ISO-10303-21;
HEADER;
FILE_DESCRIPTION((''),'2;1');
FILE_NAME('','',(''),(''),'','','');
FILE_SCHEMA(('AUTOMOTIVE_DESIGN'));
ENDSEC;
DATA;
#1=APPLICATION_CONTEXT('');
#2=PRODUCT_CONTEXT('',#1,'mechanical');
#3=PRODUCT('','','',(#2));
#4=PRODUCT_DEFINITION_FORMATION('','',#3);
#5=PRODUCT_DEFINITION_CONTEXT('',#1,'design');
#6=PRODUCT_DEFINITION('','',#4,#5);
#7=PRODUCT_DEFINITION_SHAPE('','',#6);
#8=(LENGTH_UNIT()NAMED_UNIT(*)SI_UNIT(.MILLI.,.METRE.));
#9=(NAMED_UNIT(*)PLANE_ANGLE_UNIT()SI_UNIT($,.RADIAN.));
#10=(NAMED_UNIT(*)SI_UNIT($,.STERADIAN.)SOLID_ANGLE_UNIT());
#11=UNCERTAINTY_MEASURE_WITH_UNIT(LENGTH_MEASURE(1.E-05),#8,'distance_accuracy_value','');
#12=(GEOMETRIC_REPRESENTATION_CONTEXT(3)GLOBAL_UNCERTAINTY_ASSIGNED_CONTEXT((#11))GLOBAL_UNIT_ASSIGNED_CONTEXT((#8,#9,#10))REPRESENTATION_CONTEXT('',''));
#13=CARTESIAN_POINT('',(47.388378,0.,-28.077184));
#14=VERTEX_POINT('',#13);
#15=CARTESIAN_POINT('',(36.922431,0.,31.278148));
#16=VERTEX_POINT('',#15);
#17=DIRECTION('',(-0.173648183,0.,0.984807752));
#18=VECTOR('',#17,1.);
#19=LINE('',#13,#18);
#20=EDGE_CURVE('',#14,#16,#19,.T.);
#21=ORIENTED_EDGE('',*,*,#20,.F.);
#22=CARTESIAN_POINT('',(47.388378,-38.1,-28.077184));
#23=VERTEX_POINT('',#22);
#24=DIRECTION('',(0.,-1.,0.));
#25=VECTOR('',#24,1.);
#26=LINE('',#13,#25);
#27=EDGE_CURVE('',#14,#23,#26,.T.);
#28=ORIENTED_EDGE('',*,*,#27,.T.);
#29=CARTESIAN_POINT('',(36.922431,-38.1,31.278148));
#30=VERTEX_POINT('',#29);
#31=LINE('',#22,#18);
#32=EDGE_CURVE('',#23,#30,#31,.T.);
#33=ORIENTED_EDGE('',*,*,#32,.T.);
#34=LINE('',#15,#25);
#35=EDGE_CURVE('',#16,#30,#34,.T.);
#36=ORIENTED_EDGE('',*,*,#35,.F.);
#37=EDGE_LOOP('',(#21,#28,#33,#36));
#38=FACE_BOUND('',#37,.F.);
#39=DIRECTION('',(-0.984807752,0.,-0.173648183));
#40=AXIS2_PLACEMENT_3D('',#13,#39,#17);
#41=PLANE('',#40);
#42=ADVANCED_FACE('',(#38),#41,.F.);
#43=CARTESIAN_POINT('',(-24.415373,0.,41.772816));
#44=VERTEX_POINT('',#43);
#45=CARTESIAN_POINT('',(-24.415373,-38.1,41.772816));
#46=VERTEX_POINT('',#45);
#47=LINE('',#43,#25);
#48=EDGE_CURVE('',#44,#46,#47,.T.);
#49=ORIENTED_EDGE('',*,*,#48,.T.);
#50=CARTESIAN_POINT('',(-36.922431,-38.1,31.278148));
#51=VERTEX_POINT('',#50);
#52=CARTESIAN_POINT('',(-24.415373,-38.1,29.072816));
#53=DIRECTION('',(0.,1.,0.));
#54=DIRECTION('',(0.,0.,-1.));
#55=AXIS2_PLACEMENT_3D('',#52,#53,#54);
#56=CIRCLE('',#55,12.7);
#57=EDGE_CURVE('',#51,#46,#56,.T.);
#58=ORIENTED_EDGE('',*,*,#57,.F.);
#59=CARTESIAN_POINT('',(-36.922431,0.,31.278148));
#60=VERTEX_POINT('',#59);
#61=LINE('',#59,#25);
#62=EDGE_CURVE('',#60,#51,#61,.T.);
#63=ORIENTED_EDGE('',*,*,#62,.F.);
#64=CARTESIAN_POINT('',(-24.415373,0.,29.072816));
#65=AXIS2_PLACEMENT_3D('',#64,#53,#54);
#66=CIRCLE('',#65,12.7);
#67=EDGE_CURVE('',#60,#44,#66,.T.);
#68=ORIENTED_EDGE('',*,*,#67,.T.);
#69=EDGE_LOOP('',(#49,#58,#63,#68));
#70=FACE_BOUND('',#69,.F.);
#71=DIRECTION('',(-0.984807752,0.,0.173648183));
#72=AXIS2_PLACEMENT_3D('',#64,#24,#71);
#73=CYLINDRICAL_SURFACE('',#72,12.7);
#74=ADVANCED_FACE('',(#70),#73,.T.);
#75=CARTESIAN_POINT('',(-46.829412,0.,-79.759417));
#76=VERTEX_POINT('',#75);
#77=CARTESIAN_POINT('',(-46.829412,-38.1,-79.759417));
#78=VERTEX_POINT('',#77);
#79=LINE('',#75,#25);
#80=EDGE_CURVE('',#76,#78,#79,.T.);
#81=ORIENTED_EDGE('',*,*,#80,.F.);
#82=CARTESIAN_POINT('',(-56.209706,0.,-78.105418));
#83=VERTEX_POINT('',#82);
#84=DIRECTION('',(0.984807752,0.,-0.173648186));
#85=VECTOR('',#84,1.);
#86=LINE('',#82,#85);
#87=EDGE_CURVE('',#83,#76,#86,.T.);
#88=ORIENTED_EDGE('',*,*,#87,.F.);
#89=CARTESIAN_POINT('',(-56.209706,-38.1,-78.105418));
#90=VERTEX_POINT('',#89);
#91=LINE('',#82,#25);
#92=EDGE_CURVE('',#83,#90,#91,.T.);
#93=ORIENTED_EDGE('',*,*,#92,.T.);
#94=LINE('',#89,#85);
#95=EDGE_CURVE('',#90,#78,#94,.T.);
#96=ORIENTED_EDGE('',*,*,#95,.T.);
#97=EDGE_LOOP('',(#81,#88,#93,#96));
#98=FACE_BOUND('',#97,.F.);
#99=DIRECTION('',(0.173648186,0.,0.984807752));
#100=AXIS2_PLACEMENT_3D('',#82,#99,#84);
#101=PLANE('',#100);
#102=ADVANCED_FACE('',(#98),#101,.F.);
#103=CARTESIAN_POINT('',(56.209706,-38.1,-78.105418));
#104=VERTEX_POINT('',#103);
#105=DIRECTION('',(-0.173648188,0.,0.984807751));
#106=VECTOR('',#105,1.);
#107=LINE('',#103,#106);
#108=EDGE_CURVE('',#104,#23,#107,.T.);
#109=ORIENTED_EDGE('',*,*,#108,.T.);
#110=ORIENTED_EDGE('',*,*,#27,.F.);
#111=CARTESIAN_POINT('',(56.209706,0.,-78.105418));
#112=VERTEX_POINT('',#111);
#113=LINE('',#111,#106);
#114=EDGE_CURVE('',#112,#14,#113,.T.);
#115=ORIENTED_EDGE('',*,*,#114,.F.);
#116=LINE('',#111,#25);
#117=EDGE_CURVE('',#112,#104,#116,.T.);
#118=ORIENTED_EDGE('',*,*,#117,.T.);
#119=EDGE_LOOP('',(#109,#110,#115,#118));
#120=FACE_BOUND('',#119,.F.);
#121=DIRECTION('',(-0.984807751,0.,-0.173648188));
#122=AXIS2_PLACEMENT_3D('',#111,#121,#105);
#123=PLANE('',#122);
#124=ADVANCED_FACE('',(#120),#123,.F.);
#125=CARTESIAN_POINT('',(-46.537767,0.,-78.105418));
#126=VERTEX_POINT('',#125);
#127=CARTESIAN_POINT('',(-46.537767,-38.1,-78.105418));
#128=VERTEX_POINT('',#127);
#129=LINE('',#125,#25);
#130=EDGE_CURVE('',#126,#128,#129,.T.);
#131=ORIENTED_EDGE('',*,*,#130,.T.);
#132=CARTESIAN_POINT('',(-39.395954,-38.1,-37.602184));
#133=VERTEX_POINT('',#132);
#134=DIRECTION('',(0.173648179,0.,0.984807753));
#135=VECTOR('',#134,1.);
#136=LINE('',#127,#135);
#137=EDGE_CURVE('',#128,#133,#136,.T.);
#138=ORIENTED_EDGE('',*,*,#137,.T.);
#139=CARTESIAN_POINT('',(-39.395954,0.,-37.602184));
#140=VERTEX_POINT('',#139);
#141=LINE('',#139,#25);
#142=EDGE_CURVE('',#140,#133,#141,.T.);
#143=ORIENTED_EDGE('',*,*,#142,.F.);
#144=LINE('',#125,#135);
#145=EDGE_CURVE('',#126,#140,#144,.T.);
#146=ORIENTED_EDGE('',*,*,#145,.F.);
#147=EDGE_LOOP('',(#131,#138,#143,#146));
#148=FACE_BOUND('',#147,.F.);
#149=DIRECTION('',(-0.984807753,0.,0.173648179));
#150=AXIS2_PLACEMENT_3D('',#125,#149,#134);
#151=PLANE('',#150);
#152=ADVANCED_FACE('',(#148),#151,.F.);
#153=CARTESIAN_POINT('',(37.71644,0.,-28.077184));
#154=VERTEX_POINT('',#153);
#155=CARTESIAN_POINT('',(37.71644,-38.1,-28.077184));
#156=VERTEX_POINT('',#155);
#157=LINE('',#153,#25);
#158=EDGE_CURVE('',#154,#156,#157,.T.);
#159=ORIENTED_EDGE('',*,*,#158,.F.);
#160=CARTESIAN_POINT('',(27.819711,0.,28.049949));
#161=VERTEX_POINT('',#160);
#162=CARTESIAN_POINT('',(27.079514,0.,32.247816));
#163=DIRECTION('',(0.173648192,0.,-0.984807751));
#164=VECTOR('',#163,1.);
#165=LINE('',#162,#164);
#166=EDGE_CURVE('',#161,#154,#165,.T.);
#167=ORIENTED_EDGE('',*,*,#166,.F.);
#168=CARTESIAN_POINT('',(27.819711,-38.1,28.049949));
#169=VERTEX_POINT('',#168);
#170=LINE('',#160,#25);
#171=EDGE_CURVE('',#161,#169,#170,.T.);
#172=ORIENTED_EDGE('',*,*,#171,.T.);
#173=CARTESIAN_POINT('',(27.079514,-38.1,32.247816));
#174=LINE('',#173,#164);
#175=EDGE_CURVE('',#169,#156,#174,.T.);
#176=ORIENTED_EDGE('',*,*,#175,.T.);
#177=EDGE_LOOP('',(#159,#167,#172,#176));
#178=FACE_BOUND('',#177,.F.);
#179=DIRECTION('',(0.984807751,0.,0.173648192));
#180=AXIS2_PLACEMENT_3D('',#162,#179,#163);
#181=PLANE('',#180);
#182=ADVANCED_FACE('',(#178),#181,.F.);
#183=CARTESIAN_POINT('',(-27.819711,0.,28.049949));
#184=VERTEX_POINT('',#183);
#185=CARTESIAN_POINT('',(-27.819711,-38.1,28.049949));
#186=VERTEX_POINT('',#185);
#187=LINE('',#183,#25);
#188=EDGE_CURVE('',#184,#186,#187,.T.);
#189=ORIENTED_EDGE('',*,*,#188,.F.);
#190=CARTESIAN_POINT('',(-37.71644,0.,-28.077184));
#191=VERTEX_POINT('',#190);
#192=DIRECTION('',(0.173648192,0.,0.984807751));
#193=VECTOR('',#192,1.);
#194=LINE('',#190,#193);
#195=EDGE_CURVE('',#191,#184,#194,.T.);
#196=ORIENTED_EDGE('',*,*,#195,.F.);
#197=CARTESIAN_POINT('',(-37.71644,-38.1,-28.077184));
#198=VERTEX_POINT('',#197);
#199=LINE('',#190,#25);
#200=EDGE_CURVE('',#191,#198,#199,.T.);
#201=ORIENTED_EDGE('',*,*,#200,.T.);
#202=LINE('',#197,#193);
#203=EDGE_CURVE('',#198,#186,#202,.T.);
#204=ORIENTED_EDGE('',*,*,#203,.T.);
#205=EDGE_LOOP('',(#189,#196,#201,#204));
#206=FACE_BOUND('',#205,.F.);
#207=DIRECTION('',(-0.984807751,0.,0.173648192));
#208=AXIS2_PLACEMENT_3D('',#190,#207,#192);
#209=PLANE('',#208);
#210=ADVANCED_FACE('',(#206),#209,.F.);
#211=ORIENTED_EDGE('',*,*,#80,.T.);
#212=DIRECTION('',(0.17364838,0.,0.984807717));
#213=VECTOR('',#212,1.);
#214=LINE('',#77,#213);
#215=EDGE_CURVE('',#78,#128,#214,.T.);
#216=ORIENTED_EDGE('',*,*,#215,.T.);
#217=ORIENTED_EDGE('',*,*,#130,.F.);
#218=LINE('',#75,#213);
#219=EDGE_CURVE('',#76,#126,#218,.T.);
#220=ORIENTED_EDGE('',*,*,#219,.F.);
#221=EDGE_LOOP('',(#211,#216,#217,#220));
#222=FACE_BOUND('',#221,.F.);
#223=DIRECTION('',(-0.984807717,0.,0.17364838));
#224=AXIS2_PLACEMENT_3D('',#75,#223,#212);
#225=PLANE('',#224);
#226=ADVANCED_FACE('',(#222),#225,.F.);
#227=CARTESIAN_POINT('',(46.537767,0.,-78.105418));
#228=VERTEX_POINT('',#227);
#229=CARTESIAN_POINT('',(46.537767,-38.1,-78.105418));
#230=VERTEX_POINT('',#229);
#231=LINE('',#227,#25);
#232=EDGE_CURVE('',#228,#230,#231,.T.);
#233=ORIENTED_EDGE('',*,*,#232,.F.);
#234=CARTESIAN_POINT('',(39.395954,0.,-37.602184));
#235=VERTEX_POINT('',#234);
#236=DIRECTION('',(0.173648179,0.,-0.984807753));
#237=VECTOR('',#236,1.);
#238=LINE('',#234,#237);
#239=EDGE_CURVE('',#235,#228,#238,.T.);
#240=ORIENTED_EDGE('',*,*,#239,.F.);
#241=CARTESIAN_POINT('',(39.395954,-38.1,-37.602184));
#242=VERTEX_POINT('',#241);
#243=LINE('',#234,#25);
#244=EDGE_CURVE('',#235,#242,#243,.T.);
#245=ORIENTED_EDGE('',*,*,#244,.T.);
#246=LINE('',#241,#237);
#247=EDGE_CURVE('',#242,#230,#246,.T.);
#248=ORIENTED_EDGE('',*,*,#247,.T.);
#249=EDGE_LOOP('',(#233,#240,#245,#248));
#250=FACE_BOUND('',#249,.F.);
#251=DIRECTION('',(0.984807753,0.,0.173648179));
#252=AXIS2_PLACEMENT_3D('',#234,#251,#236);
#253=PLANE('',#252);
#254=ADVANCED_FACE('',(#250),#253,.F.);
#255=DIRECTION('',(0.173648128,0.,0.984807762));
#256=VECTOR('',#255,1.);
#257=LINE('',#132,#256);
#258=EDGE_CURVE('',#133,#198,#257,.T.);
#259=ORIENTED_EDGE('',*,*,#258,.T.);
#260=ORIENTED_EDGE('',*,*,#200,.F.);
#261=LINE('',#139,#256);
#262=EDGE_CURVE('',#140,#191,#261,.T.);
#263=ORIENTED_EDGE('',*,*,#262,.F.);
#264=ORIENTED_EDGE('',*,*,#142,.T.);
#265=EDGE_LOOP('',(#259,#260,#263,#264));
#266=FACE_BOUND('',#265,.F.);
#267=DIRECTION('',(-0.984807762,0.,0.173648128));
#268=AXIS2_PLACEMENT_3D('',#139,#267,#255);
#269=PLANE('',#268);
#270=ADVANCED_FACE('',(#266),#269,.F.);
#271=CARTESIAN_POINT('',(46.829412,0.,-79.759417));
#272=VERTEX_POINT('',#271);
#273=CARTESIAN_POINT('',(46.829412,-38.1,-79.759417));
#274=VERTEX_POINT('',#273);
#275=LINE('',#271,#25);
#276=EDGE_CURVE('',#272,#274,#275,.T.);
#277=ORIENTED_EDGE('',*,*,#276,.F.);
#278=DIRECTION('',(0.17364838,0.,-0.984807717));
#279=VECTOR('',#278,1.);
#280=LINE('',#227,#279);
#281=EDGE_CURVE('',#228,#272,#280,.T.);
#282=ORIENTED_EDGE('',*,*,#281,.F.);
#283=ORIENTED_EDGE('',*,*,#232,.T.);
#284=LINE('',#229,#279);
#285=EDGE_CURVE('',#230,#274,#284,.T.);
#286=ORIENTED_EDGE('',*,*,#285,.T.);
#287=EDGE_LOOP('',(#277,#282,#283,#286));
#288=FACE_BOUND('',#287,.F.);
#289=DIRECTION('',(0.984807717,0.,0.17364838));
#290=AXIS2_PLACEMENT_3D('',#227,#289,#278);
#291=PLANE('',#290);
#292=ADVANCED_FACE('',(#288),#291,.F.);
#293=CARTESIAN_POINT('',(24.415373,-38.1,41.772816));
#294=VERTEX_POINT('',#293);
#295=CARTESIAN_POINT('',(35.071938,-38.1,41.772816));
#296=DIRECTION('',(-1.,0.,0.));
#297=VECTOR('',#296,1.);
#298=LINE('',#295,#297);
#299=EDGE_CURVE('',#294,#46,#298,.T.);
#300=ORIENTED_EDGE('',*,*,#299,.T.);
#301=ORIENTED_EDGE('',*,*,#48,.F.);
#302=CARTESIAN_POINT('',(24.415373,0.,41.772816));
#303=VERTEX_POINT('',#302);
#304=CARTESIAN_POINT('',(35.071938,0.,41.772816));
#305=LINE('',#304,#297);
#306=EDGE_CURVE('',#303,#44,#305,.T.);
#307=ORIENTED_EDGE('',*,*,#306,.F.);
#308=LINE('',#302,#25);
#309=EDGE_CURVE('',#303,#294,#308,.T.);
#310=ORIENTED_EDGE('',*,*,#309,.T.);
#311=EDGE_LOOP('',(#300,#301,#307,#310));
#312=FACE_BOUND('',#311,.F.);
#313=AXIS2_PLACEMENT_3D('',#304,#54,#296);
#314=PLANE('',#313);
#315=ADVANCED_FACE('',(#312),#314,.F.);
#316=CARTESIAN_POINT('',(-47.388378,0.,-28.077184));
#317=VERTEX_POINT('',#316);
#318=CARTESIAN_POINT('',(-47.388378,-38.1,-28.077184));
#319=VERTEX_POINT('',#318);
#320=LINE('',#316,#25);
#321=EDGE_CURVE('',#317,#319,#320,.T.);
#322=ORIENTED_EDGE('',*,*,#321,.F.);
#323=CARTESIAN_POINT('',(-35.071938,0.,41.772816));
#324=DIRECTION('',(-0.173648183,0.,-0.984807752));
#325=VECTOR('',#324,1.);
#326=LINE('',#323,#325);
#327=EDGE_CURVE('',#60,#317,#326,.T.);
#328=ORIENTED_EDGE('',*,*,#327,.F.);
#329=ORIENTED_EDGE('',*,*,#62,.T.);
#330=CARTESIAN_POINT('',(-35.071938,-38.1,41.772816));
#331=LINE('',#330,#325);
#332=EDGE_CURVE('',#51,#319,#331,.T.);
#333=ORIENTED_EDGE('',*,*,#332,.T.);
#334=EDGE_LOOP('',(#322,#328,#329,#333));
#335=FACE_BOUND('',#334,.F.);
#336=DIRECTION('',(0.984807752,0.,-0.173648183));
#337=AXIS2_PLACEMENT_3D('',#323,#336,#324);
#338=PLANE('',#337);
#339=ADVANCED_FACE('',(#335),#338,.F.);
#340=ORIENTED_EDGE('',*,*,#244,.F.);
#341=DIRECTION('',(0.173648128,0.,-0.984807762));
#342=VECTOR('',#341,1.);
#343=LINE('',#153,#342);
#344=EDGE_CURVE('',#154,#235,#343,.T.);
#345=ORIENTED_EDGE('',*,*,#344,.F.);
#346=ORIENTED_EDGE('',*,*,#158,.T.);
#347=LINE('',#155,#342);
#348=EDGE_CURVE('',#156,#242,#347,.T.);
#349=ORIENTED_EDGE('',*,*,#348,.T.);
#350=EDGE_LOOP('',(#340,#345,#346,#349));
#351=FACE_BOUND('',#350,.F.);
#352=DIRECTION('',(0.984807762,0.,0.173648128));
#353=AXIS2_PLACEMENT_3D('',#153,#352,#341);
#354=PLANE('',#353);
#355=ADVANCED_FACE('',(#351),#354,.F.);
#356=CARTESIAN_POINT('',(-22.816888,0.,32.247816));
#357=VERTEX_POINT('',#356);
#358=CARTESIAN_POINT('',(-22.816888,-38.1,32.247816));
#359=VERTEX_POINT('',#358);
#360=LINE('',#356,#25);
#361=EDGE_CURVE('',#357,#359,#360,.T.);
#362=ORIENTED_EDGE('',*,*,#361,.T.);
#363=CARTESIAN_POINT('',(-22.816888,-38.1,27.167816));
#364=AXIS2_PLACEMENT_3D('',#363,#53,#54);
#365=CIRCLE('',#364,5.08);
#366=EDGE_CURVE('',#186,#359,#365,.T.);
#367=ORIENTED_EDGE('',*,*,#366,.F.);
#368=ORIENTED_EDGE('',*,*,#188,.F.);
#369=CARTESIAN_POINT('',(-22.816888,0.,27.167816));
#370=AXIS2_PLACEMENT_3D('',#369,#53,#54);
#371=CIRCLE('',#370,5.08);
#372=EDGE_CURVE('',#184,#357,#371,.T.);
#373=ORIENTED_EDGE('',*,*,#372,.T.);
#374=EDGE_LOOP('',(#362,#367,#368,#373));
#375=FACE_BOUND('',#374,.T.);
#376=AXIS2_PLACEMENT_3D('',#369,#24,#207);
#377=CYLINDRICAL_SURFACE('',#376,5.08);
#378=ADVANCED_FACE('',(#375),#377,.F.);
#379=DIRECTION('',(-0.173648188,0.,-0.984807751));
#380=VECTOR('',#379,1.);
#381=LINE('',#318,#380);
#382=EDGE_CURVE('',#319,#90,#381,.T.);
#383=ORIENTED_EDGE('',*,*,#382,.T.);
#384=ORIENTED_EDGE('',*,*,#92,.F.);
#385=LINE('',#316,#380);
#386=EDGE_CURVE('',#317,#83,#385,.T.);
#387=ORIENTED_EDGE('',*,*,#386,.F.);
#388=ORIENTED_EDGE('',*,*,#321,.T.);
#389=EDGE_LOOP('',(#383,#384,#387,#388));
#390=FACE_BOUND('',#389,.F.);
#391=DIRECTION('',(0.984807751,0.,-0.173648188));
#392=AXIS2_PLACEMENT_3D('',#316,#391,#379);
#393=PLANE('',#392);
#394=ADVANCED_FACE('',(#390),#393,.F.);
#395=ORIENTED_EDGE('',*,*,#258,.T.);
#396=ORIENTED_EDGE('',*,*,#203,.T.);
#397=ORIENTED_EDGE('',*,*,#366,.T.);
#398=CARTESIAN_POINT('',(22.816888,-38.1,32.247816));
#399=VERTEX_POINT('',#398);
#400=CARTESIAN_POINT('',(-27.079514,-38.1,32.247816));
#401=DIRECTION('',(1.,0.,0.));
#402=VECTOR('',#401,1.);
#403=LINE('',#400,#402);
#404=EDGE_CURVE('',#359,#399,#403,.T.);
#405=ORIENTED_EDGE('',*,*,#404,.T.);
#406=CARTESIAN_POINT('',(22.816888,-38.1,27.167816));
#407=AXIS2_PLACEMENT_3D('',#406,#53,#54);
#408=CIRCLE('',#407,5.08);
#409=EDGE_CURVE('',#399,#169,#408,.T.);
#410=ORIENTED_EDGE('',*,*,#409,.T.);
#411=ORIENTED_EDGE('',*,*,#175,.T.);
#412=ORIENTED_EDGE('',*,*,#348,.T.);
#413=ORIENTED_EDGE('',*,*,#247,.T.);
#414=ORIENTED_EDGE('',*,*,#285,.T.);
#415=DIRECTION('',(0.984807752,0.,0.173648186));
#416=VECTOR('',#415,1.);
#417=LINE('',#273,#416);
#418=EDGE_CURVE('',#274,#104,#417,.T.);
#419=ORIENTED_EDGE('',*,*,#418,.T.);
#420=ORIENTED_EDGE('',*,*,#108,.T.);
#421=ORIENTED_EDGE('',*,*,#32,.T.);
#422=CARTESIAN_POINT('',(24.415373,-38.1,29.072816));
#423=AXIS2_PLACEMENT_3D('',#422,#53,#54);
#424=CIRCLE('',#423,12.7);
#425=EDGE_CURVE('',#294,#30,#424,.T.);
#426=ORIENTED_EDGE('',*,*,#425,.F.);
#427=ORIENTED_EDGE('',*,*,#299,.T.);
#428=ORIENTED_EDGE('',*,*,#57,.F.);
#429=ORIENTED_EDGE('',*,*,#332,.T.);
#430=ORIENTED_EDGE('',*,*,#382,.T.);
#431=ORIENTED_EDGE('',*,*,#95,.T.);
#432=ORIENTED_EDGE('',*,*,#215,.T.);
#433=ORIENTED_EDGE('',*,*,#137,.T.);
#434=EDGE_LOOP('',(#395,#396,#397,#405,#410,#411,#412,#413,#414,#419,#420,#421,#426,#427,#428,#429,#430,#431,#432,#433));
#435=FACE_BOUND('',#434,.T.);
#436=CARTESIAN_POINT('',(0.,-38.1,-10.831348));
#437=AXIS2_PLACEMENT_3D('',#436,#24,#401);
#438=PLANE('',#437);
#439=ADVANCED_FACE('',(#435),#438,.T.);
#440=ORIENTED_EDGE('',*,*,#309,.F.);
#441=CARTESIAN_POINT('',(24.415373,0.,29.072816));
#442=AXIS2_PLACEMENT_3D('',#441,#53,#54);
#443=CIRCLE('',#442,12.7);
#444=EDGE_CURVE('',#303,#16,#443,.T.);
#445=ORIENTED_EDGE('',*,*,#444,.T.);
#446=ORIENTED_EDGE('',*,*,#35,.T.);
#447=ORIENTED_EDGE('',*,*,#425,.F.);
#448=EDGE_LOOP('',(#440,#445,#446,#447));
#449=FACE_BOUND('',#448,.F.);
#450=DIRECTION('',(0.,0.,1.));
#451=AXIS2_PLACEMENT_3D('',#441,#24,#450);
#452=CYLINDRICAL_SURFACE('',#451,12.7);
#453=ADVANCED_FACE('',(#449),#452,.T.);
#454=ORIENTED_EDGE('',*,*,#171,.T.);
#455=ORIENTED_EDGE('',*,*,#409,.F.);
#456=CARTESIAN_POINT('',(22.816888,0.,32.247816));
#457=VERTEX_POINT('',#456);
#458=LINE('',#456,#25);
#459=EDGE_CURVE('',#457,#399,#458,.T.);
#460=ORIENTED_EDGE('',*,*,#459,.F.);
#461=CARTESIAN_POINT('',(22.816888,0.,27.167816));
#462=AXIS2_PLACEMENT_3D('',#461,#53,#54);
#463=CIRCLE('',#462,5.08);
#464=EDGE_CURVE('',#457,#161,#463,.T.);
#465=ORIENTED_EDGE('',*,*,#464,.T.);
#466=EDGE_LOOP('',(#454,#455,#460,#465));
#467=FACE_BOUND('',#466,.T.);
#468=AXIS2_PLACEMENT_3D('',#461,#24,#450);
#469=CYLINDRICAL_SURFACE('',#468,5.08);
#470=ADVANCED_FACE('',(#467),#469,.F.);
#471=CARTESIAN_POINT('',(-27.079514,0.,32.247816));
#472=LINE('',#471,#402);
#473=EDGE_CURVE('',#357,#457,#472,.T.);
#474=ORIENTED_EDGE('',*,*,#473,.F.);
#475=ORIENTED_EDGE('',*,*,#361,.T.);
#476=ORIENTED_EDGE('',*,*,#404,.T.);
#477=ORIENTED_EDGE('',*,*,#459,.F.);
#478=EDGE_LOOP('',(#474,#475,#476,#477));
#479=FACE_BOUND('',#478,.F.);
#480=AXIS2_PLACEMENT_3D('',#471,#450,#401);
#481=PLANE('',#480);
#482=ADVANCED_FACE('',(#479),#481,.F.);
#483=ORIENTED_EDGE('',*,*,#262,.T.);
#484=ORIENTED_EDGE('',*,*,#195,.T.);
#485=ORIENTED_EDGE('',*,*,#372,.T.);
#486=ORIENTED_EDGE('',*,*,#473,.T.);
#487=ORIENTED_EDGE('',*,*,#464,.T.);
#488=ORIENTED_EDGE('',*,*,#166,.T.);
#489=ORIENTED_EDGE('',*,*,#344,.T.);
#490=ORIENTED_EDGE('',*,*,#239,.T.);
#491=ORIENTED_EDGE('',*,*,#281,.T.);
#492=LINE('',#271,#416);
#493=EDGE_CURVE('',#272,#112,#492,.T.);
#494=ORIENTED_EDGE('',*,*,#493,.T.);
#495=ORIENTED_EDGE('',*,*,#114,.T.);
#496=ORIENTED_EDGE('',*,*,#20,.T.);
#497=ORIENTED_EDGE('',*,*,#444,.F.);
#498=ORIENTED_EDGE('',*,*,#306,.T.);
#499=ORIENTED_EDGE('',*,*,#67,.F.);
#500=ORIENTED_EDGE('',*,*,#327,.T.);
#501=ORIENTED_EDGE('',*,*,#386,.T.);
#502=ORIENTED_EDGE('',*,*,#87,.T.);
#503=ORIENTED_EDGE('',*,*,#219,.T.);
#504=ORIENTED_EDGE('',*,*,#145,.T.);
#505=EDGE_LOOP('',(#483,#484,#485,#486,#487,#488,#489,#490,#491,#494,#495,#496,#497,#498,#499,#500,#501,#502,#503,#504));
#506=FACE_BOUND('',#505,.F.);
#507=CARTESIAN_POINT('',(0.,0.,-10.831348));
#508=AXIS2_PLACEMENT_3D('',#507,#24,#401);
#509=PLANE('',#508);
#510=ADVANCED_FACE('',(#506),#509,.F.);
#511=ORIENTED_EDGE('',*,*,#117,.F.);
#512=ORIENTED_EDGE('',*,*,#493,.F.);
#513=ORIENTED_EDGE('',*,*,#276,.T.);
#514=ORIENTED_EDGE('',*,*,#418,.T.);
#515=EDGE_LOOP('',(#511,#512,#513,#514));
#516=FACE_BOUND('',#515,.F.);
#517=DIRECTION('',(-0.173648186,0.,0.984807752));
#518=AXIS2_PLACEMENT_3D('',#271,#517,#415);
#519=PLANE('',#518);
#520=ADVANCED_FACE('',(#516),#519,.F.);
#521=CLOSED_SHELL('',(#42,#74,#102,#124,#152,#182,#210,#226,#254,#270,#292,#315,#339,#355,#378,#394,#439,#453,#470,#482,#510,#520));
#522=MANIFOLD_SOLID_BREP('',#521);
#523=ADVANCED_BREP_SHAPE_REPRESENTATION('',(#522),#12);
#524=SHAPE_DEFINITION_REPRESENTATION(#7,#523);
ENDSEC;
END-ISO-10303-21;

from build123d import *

# Parameters (mm, degrees)
F1_DEPTH = 38.1
F2_R     = 5.08
F3_R     = 12.7


with BuildPart() as f1:
    # F0 (on Front) → F1 (new body)
    with BuildSketch(Plane.XZ):
        Polygon((47.388378, -28.077184), (35.071938, 41.772816), (-35.071938, 41.772816), (-47.388378, -28.077184), (-56.209706, -78.105418), (-46.829412, -79.759417), (-46.537767, -78.105418), (-39.395954, -37.602184), (-37.71644, -28.077184), (-27.079514, 32.247816), (27.079514, 32.247816), (37.71644, -28.077184), (39.395954, -37.602184), (46.537767, -78.105418), (46.829412, -79.759417), (56.209706, -78.105418), align=None)
    extrude(amount=F1_DEPTH)

    # F2
    f2_edges = [f1.edges().sort_by_distance(p)[0] for p in [
        (-27.079514, -19.05, 32.247816),
        (27.079514, -19.05, 32.247816),
    ]]
    fillet(f2_edges, radius=F2_R)

    # F3
    f3_edges = [f1.edges().sort_by_distance(p)[0] for p in [
        (-35.071938, -19.05, 41.772816),
        (35.071938, -19.05, 41.772816),
    ]]
    fillet(f3_edges, radius=F3_R)


solid = f1.part
